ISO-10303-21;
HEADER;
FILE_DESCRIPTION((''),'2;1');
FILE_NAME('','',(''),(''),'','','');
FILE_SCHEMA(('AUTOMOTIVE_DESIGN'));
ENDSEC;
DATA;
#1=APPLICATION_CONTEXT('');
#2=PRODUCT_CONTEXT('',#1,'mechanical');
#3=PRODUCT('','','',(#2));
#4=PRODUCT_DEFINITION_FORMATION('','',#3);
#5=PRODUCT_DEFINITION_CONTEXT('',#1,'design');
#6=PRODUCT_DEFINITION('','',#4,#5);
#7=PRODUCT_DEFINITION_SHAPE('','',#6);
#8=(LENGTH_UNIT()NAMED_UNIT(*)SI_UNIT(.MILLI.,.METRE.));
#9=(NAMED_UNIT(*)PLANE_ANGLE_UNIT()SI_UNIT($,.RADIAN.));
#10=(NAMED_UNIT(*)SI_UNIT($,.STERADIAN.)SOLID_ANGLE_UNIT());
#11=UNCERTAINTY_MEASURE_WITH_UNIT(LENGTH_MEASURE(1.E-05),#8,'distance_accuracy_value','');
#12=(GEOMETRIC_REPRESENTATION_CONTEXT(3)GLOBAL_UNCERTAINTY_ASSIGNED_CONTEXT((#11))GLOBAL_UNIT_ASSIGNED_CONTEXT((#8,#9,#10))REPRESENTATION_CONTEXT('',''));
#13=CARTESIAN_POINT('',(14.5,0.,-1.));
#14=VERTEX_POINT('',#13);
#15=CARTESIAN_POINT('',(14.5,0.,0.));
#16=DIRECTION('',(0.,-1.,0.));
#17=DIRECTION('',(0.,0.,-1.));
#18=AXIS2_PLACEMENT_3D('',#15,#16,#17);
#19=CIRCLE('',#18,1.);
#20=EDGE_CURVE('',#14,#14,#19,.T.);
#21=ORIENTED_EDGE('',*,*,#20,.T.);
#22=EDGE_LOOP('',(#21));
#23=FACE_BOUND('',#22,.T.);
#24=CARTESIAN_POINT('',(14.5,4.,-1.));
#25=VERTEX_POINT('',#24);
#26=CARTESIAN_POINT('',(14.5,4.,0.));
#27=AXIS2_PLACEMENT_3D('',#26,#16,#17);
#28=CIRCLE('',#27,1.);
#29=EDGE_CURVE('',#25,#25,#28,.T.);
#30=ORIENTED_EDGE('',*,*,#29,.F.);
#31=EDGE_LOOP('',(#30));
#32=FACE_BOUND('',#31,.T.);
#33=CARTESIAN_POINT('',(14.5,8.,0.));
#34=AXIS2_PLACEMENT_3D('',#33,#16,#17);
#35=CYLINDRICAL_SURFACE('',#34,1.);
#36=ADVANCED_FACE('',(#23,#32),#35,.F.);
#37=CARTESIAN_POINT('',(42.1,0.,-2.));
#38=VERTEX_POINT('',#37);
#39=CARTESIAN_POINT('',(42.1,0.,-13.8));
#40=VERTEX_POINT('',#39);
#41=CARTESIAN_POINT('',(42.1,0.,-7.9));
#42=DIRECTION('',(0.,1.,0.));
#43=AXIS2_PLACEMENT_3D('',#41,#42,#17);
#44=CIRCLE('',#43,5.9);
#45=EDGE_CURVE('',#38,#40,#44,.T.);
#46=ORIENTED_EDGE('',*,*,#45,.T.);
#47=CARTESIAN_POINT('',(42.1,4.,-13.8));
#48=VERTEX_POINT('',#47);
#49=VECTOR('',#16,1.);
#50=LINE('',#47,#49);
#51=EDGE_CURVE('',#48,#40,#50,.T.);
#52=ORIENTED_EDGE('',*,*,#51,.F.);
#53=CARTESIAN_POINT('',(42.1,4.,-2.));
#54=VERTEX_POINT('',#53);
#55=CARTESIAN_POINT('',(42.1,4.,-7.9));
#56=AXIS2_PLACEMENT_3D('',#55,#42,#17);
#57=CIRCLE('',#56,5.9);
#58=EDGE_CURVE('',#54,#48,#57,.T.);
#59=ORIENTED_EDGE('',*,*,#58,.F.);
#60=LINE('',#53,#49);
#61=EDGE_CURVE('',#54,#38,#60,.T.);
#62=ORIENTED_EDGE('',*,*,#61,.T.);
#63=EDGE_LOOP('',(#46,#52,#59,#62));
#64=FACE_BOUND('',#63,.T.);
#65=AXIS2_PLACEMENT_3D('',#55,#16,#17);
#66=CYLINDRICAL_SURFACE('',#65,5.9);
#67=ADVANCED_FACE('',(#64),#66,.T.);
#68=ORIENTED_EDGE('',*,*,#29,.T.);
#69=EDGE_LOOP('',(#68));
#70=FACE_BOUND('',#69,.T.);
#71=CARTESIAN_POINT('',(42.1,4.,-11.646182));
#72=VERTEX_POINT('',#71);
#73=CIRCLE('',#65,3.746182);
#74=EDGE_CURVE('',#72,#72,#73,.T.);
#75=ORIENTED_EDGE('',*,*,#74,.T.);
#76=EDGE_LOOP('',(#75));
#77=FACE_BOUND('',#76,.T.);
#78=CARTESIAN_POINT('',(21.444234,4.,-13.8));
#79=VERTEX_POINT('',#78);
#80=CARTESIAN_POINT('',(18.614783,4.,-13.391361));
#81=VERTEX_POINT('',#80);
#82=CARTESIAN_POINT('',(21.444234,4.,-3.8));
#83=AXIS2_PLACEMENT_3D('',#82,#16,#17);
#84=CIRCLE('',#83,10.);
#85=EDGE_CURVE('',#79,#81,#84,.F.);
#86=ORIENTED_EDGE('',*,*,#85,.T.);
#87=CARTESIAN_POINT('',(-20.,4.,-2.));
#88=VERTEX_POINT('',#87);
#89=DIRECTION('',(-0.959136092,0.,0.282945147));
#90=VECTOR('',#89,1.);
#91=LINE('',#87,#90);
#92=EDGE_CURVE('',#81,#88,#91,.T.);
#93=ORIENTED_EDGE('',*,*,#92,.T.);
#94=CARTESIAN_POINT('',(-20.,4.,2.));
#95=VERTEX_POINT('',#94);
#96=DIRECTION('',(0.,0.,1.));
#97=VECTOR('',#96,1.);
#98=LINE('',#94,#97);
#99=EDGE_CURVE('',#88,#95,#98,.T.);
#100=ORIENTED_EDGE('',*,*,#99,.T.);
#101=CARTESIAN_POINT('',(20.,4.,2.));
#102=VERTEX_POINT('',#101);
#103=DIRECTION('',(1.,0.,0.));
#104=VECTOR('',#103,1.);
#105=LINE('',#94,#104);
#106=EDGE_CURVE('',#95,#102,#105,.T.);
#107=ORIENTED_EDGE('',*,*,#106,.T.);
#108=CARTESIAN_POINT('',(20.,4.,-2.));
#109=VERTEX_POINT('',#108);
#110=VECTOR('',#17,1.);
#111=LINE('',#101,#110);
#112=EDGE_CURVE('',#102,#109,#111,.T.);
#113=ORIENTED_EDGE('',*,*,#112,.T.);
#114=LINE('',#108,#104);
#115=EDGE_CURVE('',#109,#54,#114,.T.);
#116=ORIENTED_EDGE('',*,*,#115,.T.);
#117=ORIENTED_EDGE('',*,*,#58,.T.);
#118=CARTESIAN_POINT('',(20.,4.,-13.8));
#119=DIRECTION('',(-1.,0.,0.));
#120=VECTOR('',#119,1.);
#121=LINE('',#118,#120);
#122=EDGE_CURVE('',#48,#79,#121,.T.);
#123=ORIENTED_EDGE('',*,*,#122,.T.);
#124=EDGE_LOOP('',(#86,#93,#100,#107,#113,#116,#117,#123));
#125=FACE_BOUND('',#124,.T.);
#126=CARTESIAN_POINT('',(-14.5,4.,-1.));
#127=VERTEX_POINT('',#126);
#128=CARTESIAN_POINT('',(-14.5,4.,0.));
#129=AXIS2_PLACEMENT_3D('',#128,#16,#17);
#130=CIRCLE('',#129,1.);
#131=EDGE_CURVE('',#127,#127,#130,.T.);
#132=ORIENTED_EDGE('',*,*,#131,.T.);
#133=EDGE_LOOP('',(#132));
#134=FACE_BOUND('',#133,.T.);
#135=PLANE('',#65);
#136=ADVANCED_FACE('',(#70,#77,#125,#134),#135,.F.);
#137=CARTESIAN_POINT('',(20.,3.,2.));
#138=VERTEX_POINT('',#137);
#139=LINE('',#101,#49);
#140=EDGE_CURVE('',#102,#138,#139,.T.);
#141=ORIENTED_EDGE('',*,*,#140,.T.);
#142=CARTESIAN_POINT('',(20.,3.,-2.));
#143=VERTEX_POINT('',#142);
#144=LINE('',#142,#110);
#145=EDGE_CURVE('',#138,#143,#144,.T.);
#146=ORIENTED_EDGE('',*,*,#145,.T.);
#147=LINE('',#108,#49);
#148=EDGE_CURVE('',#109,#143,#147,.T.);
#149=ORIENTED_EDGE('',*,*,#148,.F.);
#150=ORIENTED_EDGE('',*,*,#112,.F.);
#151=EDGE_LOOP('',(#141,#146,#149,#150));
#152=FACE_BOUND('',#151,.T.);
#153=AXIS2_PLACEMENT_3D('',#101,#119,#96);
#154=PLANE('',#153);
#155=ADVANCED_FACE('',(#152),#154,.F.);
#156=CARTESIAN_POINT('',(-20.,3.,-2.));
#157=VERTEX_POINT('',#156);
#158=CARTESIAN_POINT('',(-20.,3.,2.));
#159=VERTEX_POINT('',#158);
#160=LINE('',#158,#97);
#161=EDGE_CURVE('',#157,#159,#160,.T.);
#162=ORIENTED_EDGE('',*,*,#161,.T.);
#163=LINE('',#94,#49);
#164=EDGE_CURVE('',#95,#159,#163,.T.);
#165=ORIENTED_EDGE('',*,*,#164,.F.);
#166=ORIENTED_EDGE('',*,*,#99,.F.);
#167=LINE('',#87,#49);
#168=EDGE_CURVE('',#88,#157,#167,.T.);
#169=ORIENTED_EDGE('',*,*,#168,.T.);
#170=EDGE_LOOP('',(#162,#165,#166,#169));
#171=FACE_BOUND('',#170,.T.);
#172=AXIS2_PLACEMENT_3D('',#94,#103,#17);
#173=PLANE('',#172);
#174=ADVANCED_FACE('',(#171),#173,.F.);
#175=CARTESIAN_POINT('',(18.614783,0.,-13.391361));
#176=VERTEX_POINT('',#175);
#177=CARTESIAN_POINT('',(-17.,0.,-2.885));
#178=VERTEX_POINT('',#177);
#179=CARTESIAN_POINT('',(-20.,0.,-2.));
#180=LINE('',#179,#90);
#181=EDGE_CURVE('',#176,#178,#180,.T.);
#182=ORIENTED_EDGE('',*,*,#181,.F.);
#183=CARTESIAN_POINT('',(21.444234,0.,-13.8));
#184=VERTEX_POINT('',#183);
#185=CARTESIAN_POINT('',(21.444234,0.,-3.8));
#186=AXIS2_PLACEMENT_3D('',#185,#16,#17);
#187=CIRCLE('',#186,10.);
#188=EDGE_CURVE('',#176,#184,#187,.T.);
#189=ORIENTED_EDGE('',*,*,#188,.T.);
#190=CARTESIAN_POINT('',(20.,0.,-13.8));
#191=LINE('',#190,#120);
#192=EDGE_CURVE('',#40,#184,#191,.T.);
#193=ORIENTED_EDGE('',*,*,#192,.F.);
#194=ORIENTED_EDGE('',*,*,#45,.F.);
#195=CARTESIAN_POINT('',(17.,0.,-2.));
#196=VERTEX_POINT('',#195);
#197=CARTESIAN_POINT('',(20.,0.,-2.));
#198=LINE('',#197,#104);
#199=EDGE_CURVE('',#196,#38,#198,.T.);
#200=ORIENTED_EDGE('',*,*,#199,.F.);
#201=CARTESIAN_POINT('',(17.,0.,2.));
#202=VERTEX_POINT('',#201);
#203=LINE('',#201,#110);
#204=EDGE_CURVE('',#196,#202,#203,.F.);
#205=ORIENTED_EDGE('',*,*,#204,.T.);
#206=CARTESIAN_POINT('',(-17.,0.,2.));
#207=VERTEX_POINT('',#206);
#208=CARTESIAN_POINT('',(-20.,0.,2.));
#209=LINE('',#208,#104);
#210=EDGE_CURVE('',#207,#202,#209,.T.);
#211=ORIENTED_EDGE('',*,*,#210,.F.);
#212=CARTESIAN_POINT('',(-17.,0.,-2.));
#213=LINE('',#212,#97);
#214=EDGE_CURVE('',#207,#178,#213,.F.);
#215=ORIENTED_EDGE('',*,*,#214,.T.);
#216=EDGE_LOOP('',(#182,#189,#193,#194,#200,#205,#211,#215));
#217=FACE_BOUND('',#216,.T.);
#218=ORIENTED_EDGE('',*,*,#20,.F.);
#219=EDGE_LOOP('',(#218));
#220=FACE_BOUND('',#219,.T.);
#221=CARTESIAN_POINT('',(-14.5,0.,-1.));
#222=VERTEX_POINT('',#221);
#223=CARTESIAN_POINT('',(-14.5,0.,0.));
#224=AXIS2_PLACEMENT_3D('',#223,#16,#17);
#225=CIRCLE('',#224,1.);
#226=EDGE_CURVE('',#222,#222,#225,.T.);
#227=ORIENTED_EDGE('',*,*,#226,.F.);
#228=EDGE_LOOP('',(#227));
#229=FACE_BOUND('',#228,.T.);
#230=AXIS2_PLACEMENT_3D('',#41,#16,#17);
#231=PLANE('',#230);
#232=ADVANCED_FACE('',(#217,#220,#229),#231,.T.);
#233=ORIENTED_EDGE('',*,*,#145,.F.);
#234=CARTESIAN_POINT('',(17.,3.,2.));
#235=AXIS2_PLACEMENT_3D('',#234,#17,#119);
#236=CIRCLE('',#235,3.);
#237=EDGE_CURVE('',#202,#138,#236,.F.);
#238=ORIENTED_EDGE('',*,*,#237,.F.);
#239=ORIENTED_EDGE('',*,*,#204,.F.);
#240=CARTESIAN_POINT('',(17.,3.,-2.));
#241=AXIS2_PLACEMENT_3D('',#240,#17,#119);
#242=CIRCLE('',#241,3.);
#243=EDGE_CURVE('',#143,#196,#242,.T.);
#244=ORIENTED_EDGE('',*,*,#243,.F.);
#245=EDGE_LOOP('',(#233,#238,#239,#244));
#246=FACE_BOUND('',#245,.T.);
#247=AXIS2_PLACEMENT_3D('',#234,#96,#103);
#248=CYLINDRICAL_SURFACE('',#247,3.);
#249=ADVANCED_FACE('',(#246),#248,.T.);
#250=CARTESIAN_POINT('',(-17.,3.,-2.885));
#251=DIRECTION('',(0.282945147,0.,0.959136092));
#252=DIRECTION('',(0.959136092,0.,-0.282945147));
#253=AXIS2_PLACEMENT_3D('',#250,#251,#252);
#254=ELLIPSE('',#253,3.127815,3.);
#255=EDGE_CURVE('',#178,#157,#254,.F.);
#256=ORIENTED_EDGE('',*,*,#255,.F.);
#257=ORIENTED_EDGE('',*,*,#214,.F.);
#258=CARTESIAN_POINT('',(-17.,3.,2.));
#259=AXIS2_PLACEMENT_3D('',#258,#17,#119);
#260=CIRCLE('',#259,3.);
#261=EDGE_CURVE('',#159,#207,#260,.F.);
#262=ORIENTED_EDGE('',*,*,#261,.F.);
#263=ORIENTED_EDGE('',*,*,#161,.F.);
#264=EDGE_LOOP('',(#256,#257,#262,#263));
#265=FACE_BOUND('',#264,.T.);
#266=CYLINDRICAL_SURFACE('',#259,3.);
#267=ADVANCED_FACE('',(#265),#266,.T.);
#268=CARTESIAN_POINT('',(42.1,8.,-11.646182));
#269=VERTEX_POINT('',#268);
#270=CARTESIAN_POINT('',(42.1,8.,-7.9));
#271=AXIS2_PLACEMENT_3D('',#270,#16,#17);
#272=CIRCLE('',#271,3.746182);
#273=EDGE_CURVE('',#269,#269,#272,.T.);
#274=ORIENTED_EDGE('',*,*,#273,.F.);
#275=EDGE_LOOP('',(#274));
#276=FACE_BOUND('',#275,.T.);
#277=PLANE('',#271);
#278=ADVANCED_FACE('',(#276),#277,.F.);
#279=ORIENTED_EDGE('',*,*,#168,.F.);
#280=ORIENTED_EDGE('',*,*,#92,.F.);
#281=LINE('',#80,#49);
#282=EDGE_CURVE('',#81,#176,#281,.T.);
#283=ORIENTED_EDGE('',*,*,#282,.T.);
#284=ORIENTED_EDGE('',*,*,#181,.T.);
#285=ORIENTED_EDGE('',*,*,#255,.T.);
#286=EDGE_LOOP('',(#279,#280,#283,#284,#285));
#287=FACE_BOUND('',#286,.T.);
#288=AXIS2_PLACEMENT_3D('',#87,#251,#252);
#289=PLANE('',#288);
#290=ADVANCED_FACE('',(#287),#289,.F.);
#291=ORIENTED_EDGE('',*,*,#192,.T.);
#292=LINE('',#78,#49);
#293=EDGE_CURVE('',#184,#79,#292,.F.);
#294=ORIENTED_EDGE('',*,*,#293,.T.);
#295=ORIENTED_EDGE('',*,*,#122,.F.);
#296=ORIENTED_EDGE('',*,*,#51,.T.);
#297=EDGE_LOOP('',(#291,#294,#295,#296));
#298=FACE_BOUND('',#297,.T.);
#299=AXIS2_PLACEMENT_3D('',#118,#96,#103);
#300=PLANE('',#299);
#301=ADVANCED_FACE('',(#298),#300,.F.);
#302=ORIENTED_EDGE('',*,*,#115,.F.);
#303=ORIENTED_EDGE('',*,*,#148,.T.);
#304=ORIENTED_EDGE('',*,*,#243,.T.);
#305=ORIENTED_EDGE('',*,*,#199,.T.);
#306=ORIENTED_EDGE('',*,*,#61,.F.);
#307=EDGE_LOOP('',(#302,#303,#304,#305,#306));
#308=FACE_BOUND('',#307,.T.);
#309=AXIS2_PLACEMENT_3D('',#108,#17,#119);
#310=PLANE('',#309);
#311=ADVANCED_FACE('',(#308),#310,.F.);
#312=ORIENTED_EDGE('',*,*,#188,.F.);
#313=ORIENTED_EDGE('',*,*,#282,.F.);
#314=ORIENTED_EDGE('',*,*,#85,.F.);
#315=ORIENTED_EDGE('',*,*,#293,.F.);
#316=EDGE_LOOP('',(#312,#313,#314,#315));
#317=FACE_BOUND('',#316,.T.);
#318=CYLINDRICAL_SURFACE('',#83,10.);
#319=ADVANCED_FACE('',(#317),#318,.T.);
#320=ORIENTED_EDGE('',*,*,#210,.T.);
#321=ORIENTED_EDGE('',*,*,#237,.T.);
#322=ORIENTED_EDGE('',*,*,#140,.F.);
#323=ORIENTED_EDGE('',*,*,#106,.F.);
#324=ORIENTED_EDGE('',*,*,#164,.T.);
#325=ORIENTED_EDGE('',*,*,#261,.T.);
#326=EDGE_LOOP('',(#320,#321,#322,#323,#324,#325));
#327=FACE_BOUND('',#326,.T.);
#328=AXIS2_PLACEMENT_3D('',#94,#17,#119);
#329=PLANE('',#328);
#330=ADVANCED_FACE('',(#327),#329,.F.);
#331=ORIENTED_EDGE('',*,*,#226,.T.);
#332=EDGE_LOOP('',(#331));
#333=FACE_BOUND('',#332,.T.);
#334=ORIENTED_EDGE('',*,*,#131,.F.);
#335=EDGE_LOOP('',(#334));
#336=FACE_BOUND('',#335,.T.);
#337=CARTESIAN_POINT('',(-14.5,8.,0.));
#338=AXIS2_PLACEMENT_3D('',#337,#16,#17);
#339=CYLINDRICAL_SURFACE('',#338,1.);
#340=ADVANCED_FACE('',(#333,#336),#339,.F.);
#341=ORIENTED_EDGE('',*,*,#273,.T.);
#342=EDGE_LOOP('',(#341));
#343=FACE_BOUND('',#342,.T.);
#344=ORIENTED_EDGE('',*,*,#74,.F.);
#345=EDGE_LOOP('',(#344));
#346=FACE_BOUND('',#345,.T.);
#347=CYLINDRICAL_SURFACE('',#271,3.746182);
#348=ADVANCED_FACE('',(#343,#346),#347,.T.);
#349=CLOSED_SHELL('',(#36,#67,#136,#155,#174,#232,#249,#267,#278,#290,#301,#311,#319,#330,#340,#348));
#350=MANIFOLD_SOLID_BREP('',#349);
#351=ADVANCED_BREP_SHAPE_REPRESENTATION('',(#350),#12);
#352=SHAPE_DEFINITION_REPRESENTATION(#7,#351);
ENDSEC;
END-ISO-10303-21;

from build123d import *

# Parameters (mm, degrees)
BOSS_EXTRUDE2_DEPTH = 4
SKETCH4_R           = 3.746181505
BOSS_EXTRUDE3_DEPTH = 4
SKETCH5_R           = 1
CUT_EXTRUDE1_DEPTH  = 9
FILLET1_R           = 10
FILLET3_R           = 3


with BuildPart() as part:
    # Sketch1 → Boss-Extrude2 (new body)
    with BuildSketch(Plane(origin=(0, 0, 0), x_dir=(1, 0, 0), z_dir=(0, 1, 0))):
        with BuildLine():
            Line((-20, 2), (20, 13.8))
            Line((20, 13.8), (42.1, 13.8))
            ThreePointArc((42.1, 13.8), (48, 7.9), (42.1, 2))
            Line((42.1, 2), (20, 2))
            Line((20, 2), (20, -2))
            Line((20, -2), (-20, -2))
            Line((-20, -2), (-20, 2))
        make_face()
    extrude(amount=BOSS_EXTRUDE2_DEPTH)

    # Sketch4 → Boss-Extrude3 (add)
    with BuildSketch(Plane(origin=(0, 4, 0), x_dir=(-1, 0, 0), z_dir=(0, -1, 0))):
        with Locations((-42.1, 7.9)):
            Circle(SKETCH4_R)
    extrude(amount=-BOSS_EXTRUDE3_DEPTH)

    # Sketch5 → Cut-Extrude1 (cut, through all)
    with BuildSketch(Plane(origin=(0, 0, 0), x_dir=(-1, 0, 0), z_dir=(0, -1, 0))):
        with Locations((14.5, 0)):
            Circle(SKETCH5_R)
        with Locations((-14.5, 0)):
            Circle(SKETCH5_R)
    extrude(amount=-CUT_EXTRUDE1_DEPTH, mode=Mode.SUBTRACT)

    # Fillet1
    fillet1_edges = [part.edges().sort_by_distance(p)[0] for p in [
        (20, 2, -13.8),
    ]]
    fillet(fillet1_edges, radius=FILLET1_R)

    # Fillet3
    fillet3_edges = [part.edges().sort_by_distance(p)[0] for p in [
        (20, 0, 0),
        (-20, 0, 0),
    ]]
    fillet(fillet3_edges, radius=FILLET3_R)


solid = part.part
